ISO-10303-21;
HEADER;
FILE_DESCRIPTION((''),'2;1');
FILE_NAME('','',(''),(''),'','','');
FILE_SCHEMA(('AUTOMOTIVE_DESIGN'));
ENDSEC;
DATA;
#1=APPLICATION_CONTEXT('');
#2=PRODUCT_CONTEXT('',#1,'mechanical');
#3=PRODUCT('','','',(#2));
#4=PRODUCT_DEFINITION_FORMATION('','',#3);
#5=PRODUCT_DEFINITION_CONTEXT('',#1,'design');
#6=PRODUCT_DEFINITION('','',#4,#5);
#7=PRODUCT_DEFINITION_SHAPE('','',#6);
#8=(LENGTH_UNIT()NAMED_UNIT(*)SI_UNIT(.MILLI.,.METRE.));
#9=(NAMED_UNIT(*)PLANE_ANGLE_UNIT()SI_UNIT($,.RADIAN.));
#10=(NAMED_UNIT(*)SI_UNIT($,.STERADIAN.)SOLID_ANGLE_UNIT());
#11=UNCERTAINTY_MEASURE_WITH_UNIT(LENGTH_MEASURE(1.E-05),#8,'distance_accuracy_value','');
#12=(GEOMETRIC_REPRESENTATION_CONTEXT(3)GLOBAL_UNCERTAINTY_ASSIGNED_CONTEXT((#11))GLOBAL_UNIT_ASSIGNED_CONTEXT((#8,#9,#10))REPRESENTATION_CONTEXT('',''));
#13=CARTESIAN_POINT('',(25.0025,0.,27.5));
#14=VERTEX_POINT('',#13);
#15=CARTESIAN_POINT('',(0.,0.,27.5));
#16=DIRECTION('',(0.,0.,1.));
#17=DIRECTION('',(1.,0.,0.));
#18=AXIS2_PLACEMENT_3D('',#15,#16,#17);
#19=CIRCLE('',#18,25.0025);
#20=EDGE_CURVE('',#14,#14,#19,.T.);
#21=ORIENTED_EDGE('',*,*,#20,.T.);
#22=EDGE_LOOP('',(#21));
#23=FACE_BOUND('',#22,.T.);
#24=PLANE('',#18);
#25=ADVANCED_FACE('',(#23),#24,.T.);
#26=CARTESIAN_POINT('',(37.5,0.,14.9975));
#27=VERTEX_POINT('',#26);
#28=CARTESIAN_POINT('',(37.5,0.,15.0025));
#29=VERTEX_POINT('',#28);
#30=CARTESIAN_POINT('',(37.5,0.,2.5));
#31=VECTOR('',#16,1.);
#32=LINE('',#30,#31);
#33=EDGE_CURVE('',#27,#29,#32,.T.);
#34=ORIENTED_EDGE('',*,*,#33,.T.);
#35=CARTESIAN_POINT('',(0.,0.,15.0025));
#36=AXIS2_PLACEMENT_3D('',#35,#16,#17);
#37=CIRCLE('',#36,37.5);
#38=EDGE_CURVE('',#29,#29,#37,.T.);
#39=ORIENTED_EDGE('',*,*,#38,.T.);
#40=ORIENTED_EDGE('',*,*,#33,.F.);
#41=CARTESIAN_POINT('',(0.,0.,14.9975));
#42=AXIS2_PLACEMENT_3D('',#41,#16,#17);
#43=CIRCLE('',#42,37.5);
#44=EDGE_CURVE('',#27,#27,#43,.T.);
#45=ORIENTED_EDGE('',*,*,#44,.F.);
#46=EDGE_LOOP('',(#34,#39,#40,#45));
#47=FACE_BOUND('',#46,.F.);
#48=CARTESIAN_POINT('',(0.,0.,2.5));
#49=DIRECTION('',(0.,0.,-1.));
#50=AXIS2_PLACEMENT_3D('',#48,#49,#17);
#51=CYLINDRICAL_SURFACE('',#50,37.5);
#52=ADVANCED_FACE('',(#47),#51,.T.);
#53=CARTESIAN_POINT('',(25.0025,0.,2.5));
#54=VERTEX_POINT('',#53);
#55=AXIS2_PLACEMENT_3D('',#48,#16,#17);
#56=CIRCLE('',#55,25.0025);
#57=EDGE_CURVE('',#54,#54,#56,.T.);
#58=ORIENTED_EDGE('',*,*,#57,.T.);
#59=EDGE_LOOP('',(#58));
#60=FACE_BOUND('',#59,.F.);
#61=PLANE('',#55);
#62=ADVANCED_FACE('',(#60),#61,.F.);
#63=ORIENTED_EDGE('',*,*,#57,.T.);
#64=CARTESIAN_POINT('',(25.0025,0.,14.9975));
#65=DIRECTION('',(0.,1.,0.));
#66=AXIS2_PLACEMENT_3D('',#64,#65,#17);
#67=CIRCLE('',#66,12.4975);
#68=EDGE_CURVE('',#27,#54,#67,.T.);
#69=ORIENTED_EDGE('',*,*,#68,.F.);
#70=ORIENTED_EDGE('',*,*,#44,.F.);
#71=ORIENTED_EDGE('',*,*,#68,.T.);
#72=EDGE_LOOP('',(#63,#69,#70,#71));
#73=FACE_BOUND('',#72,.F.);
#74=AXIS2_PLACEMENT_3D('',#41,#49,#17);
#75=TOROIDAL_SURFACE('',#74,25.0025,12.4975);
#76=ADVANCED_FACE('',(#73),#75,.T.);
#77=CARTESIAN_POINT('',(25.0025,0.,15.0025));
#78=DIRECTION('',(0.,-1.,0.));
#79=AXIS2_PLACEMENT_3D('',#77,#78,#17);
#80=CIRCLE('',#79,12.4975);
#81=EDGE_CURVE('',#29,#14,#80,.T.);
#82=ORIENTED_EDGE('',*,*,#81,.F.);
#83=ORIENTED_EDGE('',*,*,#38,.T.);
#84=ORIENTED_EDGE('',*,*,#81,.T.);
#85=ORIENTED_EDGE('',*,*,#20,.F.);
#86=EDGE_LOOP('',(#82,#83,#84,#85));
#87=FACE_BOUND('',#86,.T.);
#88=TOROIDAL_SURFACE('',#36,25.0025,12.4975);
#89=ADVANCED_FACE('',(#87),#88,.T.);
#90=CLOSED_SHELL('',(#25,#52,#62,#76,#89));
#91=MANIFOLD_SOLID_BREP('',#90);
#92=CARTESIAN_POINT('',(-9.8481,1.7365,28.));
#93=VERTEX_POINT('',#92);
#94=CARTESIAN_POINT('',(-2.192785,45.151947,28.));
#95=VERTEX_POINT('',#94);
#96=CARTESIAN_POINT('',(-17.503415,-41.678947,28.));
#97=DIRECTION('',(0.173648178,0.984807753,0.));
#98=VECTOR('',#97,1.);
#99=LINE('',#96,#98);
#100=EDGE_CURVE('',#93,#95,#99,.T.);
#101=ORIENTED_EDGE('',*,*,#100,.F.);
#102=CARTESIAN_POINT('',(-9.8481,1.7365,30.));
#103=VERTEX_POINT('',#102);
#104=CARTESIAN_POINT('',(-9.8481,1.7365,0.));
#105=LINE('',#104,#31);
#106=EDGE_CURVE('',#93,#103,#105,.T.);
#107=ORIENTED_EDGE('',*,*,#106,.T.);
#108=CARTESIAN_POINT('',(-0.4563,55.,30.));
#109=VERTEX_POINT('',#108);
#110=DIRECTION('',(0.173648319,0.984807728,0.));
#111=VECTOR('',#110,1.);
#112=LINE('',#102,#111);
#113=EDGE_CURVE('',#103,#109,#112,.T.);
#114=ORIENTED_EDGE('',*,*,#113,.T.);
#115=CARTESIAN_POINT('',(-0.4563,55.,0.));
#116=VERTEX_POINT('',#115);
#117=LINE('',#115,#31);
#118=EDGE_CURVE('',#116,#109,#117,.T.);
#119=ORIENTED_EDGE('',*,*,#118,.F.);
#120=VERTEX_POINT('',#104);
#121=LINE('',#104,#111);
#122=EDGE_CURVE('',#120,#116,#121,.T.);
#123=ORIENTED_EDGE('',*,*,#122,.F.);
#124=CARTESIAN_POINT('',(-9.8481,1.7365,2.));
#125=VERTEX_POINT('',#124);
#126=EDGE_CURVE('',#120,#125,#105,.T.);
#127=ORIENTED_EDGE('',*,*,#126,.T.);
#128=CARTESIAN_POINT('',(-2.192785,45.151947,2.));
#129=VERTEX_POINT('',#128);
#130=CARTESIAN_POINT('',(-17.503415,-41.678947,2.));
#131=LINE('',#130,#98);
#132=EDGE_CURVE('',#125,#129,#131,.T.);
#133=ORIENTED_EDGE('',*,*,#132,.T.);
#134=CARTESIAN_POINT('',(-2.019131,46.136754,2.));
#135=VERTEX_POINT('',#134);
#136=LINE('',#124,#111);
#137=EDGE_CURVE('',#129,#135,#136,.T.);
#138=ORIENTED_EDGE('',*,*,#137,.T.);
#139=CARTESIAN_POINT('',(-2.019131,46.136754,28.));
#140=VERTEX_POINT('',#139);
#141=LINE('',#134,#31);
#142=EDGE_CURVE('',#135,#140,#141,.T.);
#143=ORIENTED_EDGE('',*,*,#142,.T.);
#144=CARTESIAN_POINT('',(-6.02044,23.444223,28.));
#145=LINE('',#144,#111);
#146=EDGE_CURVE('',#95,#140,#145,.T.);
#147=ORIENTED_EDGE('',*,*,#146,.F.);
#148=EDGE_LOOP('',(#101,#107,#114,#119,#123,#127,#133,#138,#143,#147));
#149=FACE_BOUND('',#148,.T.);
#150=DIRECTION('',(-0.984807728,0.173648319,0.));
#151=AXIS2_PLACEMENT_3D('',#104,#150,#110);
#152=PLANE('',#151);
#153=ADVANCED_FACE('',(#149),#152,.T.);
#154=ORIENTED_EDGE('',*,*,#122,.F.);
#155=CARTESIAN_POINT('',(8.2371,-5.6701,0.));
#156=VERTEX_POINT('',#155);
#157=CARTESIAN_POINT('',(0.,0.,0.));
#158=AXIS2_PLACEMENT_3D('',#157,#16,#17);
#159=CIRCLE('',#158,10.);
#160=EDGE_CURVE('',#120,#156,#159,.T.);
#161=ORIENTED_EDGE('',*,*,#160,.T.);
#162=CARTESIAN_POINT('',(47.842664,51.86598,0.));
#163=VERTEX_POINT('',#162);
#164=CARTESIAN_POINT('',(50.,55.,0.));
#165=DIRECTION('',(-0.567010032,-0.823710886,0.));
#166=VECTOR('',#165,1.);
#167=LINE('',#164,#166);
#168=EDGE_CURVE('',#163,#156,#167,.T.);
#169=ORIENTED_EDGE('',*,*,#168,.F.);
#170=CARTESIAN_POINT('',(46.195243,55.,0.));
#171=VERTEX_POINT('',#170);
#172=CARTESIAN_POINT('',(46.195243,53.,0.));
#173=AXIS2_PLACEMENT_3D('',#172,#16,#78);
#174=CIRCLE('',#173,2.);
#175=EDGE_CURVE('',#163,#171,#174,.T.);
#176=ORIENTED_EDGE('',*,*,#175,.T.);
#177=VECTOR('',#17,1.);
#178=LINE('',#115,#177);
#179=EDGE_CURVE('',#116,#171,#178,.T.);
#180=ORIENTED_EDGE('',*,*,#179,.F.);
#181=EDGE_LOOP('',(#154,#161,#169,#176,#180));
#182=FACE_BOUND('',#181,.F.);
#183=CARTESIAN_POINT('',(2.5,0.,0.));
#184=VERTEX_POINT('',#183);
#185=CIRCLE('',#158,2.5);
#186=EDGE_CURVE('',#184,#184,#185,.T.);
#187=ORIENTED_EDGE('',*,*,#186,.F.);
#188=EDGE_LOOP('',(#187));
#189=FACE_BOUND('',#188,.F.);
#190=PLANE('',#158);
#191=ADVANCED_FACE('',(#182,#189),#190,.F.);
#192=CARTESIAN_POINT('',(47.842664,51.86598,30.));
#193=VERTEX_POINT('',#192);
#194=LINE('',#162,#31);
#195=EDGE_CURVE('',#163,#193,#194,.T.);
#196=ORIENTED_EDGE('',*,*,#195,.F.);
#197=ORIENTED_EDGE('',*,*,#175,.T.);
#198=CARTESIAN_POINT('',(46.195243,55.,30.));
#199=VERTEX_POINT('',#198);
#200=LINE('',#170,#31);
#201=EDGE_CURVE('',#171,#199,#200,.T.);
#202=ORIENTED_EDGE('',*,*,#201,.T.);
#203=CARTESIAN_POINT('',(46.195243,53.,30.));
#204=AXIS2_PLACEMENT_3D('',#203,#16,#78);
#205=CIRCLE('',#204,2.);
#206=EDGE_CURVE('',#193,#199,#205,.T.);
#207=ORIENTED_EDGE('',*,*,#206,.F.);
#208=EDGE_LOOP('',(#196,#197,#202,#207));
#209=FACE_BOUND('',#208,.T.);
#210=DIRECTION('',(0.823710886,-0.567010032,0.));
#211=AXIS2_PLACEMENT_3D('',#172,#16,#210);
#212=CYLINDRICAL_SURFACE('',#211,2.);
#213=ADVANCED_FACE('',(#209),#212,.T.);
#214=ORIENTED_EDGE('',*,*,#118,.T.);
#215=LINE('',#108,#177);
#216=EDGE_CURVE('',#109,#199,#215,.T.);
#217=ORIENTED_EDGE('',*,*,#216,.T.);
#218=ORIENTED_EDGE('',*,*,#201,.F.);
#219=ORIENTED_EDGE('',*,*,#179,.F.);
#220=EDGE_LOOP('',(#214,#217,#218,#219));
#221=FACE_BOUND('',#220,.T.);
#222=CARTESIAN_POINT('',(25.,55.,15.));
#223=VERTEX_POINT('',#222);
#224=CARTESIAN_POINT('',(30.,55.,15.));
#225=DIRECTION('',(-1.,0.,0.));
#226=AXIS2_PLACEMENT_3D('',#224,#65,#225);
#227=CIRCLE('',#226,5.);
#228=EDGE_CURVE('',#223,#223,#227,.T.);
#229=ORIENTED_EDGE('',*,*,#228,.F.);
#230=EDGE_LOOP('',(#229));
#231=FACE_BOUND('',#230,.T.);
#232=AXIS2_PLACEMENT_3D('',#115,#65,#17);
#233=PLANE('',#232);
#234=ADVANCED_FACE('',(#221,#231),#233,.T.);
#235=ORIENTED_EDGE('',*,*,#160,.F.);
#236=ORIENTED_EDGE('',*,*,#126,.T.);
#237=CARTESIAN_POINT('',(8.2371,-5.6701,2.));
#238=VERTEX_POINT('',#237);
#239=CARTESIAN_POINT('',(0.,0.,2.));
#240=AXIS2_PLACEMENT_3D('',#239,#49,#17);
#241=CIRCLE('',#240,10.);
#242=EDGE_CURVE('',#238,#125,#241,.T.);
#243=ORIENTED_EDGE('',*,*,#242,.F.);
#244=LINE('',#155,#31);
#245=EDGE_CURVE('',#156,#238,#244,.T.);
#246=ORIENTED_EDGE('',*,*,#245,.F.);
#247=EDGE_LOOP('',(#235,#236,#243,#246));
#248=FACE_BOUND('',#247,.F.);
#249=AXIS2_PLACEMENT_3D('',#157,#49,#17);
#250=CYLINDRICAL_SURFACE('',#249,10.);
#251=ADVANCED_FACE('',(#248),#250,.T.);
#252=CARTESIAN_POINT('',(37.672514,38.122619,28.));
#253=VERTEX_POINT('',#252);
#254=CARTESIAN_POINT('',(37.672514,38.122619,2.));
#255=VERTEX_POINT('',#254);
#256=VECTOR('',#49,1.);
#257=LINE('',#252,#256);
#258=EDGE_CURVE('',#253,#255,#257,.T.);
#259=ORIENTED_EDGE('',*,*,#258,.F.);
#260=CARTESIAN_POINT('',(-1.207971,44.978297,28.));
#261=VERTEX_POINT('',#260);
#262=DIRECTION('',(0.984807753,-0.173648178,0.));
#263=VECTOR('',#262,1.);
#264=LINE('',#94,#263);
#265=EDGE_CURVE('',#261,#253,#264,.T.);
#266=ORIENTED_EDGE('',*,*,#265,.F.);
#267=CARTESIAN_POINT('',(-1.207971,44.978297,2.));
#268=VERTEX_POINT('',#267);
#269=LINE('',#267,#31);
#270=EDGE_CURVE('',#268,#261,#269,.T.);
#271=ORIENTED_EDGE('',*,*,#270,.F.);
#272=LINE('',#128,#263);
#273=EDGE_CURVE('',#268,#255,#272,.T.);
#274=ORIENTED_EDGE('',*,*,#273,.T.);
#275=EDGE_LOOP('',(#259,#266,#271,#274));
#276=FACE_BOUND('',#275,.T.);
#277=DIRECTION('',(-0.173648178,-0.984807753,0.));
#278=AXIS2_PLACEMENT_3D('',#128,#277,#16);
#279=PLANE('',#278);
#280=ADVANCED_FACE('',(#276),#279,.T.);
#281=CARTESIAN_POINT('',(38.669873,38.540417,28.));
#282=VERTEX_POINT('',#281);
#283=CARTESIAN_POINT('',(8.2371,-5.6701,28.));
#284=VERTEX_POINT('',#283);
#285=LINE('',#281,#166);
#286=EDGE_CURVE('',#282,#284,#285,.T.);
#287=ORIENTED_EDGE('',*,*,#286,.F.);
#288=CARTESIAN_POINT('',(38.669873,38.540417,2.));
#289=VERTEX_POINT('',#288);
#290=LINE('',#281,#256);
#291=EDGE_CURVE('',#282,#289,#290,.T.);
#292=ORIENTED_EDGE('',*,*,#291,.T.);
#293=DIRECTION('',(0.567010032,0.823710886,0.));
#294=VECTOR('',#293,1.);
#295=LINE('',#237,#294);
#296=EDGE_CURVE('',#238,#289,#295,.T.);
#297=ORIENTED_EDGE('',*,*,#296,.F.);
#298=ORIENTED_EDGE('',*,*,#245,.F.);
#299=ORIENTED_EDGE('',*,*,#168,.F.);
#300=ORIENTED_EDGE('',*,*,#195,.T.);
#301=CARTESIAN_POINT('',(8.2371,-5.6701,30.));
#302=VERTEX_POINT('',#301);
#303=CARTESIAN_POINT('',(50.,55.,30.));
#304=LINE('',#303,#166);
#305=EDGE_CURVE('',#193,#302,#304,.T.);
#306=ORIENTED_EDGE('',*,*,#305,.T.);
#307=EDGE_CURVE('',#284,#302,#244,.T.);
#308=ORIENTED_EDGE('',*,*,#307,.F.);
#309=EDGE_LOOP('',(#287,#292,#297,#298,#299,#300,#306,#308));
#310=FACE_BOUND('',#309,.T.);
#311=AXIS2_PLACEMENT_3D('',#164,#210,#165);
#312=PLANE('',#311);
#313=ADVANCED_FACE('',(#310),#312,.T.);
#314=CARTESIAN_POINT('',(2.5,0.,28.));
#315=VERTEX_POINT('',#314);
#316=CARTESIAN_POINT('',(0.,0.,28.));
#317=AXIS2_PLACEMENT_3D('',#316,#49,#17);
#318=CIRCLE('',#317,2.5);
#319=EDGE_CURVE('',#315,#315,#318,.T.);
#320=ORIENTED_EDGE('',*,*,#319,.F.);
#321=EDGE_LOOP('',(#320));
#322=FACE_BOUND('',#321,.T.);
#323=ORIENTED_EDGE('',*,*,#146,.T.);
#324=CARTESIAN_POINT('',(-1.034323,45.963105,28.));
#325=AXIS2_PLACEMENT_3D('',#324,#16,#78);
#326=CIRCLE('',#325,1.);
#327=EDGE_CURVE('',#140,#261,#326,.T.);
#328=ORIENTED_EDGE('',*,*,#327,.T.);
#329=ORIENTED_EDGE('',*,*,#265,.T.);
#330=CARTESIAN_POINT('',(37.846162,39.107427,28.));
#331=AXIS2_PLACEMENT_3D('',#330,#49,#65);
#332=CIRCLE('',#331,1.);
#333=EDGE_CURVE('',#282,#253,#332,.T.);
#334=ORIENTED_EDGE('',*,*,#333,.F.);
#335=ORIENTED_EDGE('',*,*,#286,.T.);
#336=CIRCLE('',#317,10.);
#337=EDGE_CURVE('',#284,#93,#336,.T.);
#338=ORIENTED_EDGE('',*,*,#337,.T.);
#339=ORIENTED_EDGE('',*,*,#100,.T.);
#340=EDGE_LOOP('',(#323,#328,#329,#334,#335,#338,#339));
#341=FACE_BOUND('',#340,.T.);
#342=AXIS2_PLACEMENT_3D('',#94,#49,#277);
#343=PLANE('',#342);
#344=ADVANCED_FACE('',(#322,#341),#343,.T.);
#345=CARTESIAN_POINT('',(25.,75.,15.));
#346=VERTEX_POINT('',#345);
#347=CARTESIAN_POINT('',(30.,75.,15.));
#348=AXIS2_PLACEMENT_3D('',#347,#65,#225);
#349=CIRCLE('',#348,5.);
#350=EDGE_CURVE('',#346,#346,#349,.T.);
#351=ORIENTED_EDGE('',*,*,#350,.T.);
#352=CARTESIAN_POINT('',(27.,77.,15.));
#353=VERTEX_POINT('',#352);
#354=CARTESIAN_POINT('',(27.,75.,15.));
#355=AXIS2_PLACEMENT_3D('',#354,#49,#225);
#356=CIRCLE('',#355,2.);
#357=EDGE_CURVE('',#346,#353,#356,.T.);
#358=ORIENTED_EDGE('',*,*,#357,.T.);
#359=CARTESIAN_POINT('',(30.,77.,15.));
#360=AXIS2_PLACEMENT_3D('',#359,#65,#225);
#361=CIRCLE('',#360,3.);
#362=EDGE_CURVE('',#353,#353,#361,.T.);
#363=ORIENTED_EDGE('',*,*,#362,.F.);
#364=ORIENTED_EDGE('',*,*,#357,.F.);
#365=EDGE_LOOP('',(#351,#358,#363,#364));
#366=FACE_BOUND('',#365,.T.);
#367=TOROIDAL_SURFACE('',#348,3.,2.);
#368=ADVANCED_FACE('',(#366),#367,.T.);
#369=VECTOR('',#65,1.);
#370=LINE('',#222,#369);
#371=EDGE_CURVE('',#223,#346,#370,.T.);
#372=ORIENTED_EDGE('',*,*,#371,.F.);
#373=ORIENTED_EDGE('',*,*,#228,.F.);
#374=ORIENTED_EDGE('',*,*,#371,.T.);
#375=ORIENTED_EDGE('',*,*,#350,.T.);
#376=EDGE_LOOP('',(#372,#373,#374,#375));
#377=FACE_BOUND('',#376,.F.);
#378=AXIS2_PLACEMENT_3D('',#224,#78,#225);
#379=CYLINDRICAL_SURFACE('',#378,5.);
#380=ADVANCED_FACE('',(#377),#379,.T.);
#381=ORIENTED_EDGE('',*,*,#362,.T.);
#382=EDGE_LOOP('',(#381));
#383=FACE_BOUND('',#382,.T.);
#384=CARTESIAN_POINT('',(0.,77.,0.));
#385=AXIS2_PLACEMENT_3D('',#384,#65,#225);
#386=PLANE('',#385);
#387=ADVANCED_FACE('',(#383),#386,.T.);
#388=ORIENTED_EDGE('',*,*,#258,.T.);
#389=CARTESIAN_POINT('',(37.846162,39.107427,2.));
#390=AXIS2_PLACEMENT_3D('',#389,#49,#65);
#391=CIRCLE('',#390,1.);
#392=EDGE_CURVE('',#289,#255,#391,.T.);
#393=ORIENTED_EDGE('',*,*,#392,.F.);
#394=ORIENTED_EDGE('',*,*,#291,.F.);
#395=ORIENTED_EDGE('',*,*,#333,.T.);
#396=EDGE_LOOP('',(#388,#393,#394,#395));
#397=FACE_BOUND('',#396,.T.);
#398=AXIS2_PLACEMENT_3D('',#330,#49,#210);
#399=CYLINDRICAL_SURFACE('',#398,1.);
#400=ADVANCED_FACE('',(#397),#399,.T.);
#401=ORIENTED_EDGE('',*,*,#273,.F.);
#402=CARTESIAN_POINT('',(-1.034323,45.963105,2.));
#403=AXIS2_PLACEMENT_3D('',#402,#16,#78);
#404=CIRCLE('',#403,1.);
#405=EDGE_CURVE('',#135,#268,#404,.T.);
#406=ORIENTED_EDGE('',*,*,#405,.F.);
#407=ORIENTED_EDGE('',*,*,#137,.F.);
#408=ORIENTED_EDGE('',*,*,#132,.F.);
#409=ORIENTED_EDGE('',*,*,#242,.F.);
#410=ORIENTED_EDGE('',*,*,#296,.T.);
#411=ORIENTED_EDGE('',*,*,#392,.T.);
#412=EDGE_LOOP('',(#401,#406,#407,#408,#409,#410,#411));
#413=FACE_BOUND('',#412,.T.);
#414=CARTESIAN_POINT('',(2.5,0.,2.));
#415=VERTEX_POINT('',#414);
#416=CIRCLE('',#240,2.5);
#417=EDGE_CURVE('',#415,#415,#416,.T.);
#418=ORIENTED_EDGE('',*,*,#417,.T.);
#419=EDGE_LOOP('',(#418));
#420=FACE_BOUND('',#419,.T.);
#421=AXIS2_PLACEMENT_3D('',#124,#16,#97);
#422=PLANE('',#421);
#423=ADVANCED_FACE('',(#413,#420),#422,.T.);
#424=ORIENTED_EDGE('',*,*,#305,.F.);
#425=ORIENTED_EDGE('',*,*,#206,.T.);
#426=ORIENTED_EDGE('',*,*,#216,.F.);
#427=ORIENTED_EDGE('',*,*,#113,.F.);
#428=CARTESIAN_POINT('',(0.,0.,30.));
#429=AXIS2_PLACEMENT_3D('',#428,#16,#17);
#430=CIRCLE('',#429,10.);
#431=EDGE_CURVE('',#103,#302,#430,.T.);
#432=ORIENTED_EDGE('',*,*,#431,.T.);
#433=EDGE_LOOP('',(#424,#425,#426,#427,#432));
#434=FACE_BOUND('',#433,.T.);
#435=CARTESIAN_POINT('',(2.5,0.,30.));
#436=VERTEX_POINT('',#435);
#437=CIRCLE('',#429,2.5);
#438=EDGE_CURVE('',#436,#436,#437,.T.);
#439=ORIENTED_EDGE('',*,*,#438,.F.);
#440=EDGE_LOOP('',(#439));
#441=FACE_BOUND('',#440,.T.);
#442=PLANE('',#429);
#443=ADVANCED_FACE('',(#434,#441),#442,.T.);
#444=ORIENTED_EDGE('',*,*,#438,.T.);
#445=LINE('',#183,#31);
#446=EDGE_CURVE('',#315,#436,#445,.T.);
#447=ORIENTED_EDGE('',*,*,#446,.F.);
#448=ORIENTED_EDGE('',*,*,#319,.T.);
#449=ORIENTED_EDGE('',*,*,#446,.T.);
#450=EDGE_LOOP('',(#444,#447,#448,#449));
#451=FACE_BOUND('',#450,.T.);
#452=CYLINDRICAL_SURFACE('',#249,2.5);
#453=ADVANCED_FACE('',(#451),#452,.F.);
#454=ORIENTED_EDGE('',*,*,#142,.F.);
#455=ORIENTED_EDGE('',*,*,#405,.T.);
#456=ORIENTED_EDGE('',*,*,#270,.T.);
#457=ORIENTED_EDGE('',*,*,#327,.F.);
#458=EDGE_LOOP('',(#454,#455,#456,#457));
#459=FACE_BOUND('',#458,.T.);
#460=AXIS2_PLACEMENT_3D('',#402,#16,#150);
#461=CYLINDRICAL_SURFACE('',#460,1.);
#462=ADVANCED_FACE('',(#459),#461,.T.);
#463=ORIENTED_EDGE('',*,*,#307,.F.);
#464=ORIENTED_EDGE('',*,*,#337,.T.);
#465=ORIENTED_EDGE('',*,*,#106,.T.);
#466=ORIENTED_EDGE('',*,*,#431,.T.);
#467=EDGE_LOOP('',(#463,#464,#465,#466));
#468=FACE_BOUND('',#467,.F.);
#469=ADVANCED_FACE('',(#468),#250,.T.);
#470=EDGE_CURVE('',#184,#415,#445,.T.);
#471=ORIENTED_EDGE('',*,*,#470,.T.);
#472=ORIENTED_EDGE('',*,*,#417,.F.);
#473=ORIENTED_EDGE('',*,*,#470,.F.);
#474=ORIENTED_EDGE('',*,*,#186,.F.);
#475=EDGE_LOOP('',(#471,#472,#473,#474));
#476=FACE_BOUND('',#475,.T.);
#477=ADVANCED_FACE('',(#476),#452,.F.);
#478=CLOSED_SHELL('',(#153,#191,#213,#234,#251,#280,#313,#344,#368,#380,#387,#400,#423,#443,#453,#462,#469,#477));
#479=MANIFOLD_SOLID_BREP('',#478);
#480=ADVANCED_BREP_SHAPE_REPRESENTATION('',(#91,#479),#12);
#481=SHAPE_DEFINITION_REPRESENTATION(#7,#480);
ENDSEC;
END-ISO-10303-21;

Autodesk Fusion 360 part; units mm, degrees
sketch "Sketch1" plane through (0, 0, 0) normal (0, 0, 1) x (1, 0, 0)
  circle A0 centre (0, 0) radius 37.5
  dimension "d1" = 75
extrude "Extrude1" add sketch "Sketch1" along normal blind 25 makes body 1
fillet "Fillet1" radius 12.5 2 edges at (-34.9623, -13.5606, 25) (-34.9623, -13.5606, 0) on bodies 1
copy_body "Body->Comp1" bodies 1 removing the originals makes body 2 in component "Component"
sketch "Sketch2" plane through (0, 0, 0) normal (0, 0, 1) x (1, 0, 0)
  circle A0 centre (0, 0) radius 10
  line L0 (-9.8481, 1.7365) -> (-0.4563, 55)
  line L1 (-0.4563, 55) -> (50, 55)
  line L2 (50, 55) -> (8.2371, -5.6701)
  circle A1 centre (0, 0) radius 2.5
  dimension "d6" = 20
  dimension "d7" = 55
  dimension "d8" = 50
  dimension "d9" = 100
  dimension "d14" = 5
extrude "Extrude2" add sketch "Sketch2" along normal blind 30 separate body makes body 3
sketch "Sketch3" plane through (-9.8481, 1.7365, 0) normal (-0.9848, 0.1736, 0) x (-0.1736, -0.9848, 0)
  line L0 (-54.0852, 0) -> (0, 0)
  line L1 (0, 0) -> (0, 30)
  line L2 (0, 30) -> (-54.0852, 30)
  line L3 (-54.0852, 30) -> (-54.0852, 0)
  line L4 (44.0852, 2) -> (-44.0852, 2)
  line L5 (-44.0852, 2) -> (-44.0852, 28)
  line L6 (-44.0852, 28) -> (44.0852, 28)
  line L7 (44.0852, 28) -> (44.0852, 2)
  line L8 (44.0852, 2) -> (-44.0852, 28) construction
  line L9 (-44.0852, 2) -> (44.0852, 28) construction
  point P0 (0, 15)
  dimension "d12" = 2
  dimension "d13" = 10
extrude "Extrude3" cut sketch "Sketch3" against normal through all contours L1 L4 L5 L6 | L1 L4 L6 L7 bodies 3
sketch "Sketch4" plane through (0, 55, 0) normal (0, 1, 0) x (-1, 0, 0)
  line L0 (-50, 0) -> (0.4563, 0)
  line L1 (0.4563, 0) -> (0.4563, 30)
  line L2 (0.4563, 30) -> (-50, 30)
  line L3 (-50, 30) -> (-50, 0)
  line L4 (0.4563, 15) -> (-50, 15) construction
  circle A0 centre (-30, 15) radius 5
  dimension "d16" = 10
  dimension "d17" = 30
extrude "Extrude4" add sketch "Sketch4" along normal blind 22 contours A0 bodies 3
fillet "Fillet2" radius 2 1 edges at (50, 55, 15) on bodies 3
fillet "Fillet3" radius 2 1 edges at (34.6616, 77, 13.1919) on bodies 3
fillet "Fillet4" radius 1 2 edges at (38.3054, 38.011, 15) (-2.1928, 45.1519, 15) on bodies 3
copy_body "Body->Comp2" bodies 3 removing the originals makes body 4 in component "Component'"
component "Component" placed x (1, 0, 0) y (0, 1, 0) z (0, 0, 1) at (0, 0, 2.5)
component "Component'" placed x (1, 0, 0) y (0, 1, 0) z (0, 0, 1) at (0, 0, 0)
